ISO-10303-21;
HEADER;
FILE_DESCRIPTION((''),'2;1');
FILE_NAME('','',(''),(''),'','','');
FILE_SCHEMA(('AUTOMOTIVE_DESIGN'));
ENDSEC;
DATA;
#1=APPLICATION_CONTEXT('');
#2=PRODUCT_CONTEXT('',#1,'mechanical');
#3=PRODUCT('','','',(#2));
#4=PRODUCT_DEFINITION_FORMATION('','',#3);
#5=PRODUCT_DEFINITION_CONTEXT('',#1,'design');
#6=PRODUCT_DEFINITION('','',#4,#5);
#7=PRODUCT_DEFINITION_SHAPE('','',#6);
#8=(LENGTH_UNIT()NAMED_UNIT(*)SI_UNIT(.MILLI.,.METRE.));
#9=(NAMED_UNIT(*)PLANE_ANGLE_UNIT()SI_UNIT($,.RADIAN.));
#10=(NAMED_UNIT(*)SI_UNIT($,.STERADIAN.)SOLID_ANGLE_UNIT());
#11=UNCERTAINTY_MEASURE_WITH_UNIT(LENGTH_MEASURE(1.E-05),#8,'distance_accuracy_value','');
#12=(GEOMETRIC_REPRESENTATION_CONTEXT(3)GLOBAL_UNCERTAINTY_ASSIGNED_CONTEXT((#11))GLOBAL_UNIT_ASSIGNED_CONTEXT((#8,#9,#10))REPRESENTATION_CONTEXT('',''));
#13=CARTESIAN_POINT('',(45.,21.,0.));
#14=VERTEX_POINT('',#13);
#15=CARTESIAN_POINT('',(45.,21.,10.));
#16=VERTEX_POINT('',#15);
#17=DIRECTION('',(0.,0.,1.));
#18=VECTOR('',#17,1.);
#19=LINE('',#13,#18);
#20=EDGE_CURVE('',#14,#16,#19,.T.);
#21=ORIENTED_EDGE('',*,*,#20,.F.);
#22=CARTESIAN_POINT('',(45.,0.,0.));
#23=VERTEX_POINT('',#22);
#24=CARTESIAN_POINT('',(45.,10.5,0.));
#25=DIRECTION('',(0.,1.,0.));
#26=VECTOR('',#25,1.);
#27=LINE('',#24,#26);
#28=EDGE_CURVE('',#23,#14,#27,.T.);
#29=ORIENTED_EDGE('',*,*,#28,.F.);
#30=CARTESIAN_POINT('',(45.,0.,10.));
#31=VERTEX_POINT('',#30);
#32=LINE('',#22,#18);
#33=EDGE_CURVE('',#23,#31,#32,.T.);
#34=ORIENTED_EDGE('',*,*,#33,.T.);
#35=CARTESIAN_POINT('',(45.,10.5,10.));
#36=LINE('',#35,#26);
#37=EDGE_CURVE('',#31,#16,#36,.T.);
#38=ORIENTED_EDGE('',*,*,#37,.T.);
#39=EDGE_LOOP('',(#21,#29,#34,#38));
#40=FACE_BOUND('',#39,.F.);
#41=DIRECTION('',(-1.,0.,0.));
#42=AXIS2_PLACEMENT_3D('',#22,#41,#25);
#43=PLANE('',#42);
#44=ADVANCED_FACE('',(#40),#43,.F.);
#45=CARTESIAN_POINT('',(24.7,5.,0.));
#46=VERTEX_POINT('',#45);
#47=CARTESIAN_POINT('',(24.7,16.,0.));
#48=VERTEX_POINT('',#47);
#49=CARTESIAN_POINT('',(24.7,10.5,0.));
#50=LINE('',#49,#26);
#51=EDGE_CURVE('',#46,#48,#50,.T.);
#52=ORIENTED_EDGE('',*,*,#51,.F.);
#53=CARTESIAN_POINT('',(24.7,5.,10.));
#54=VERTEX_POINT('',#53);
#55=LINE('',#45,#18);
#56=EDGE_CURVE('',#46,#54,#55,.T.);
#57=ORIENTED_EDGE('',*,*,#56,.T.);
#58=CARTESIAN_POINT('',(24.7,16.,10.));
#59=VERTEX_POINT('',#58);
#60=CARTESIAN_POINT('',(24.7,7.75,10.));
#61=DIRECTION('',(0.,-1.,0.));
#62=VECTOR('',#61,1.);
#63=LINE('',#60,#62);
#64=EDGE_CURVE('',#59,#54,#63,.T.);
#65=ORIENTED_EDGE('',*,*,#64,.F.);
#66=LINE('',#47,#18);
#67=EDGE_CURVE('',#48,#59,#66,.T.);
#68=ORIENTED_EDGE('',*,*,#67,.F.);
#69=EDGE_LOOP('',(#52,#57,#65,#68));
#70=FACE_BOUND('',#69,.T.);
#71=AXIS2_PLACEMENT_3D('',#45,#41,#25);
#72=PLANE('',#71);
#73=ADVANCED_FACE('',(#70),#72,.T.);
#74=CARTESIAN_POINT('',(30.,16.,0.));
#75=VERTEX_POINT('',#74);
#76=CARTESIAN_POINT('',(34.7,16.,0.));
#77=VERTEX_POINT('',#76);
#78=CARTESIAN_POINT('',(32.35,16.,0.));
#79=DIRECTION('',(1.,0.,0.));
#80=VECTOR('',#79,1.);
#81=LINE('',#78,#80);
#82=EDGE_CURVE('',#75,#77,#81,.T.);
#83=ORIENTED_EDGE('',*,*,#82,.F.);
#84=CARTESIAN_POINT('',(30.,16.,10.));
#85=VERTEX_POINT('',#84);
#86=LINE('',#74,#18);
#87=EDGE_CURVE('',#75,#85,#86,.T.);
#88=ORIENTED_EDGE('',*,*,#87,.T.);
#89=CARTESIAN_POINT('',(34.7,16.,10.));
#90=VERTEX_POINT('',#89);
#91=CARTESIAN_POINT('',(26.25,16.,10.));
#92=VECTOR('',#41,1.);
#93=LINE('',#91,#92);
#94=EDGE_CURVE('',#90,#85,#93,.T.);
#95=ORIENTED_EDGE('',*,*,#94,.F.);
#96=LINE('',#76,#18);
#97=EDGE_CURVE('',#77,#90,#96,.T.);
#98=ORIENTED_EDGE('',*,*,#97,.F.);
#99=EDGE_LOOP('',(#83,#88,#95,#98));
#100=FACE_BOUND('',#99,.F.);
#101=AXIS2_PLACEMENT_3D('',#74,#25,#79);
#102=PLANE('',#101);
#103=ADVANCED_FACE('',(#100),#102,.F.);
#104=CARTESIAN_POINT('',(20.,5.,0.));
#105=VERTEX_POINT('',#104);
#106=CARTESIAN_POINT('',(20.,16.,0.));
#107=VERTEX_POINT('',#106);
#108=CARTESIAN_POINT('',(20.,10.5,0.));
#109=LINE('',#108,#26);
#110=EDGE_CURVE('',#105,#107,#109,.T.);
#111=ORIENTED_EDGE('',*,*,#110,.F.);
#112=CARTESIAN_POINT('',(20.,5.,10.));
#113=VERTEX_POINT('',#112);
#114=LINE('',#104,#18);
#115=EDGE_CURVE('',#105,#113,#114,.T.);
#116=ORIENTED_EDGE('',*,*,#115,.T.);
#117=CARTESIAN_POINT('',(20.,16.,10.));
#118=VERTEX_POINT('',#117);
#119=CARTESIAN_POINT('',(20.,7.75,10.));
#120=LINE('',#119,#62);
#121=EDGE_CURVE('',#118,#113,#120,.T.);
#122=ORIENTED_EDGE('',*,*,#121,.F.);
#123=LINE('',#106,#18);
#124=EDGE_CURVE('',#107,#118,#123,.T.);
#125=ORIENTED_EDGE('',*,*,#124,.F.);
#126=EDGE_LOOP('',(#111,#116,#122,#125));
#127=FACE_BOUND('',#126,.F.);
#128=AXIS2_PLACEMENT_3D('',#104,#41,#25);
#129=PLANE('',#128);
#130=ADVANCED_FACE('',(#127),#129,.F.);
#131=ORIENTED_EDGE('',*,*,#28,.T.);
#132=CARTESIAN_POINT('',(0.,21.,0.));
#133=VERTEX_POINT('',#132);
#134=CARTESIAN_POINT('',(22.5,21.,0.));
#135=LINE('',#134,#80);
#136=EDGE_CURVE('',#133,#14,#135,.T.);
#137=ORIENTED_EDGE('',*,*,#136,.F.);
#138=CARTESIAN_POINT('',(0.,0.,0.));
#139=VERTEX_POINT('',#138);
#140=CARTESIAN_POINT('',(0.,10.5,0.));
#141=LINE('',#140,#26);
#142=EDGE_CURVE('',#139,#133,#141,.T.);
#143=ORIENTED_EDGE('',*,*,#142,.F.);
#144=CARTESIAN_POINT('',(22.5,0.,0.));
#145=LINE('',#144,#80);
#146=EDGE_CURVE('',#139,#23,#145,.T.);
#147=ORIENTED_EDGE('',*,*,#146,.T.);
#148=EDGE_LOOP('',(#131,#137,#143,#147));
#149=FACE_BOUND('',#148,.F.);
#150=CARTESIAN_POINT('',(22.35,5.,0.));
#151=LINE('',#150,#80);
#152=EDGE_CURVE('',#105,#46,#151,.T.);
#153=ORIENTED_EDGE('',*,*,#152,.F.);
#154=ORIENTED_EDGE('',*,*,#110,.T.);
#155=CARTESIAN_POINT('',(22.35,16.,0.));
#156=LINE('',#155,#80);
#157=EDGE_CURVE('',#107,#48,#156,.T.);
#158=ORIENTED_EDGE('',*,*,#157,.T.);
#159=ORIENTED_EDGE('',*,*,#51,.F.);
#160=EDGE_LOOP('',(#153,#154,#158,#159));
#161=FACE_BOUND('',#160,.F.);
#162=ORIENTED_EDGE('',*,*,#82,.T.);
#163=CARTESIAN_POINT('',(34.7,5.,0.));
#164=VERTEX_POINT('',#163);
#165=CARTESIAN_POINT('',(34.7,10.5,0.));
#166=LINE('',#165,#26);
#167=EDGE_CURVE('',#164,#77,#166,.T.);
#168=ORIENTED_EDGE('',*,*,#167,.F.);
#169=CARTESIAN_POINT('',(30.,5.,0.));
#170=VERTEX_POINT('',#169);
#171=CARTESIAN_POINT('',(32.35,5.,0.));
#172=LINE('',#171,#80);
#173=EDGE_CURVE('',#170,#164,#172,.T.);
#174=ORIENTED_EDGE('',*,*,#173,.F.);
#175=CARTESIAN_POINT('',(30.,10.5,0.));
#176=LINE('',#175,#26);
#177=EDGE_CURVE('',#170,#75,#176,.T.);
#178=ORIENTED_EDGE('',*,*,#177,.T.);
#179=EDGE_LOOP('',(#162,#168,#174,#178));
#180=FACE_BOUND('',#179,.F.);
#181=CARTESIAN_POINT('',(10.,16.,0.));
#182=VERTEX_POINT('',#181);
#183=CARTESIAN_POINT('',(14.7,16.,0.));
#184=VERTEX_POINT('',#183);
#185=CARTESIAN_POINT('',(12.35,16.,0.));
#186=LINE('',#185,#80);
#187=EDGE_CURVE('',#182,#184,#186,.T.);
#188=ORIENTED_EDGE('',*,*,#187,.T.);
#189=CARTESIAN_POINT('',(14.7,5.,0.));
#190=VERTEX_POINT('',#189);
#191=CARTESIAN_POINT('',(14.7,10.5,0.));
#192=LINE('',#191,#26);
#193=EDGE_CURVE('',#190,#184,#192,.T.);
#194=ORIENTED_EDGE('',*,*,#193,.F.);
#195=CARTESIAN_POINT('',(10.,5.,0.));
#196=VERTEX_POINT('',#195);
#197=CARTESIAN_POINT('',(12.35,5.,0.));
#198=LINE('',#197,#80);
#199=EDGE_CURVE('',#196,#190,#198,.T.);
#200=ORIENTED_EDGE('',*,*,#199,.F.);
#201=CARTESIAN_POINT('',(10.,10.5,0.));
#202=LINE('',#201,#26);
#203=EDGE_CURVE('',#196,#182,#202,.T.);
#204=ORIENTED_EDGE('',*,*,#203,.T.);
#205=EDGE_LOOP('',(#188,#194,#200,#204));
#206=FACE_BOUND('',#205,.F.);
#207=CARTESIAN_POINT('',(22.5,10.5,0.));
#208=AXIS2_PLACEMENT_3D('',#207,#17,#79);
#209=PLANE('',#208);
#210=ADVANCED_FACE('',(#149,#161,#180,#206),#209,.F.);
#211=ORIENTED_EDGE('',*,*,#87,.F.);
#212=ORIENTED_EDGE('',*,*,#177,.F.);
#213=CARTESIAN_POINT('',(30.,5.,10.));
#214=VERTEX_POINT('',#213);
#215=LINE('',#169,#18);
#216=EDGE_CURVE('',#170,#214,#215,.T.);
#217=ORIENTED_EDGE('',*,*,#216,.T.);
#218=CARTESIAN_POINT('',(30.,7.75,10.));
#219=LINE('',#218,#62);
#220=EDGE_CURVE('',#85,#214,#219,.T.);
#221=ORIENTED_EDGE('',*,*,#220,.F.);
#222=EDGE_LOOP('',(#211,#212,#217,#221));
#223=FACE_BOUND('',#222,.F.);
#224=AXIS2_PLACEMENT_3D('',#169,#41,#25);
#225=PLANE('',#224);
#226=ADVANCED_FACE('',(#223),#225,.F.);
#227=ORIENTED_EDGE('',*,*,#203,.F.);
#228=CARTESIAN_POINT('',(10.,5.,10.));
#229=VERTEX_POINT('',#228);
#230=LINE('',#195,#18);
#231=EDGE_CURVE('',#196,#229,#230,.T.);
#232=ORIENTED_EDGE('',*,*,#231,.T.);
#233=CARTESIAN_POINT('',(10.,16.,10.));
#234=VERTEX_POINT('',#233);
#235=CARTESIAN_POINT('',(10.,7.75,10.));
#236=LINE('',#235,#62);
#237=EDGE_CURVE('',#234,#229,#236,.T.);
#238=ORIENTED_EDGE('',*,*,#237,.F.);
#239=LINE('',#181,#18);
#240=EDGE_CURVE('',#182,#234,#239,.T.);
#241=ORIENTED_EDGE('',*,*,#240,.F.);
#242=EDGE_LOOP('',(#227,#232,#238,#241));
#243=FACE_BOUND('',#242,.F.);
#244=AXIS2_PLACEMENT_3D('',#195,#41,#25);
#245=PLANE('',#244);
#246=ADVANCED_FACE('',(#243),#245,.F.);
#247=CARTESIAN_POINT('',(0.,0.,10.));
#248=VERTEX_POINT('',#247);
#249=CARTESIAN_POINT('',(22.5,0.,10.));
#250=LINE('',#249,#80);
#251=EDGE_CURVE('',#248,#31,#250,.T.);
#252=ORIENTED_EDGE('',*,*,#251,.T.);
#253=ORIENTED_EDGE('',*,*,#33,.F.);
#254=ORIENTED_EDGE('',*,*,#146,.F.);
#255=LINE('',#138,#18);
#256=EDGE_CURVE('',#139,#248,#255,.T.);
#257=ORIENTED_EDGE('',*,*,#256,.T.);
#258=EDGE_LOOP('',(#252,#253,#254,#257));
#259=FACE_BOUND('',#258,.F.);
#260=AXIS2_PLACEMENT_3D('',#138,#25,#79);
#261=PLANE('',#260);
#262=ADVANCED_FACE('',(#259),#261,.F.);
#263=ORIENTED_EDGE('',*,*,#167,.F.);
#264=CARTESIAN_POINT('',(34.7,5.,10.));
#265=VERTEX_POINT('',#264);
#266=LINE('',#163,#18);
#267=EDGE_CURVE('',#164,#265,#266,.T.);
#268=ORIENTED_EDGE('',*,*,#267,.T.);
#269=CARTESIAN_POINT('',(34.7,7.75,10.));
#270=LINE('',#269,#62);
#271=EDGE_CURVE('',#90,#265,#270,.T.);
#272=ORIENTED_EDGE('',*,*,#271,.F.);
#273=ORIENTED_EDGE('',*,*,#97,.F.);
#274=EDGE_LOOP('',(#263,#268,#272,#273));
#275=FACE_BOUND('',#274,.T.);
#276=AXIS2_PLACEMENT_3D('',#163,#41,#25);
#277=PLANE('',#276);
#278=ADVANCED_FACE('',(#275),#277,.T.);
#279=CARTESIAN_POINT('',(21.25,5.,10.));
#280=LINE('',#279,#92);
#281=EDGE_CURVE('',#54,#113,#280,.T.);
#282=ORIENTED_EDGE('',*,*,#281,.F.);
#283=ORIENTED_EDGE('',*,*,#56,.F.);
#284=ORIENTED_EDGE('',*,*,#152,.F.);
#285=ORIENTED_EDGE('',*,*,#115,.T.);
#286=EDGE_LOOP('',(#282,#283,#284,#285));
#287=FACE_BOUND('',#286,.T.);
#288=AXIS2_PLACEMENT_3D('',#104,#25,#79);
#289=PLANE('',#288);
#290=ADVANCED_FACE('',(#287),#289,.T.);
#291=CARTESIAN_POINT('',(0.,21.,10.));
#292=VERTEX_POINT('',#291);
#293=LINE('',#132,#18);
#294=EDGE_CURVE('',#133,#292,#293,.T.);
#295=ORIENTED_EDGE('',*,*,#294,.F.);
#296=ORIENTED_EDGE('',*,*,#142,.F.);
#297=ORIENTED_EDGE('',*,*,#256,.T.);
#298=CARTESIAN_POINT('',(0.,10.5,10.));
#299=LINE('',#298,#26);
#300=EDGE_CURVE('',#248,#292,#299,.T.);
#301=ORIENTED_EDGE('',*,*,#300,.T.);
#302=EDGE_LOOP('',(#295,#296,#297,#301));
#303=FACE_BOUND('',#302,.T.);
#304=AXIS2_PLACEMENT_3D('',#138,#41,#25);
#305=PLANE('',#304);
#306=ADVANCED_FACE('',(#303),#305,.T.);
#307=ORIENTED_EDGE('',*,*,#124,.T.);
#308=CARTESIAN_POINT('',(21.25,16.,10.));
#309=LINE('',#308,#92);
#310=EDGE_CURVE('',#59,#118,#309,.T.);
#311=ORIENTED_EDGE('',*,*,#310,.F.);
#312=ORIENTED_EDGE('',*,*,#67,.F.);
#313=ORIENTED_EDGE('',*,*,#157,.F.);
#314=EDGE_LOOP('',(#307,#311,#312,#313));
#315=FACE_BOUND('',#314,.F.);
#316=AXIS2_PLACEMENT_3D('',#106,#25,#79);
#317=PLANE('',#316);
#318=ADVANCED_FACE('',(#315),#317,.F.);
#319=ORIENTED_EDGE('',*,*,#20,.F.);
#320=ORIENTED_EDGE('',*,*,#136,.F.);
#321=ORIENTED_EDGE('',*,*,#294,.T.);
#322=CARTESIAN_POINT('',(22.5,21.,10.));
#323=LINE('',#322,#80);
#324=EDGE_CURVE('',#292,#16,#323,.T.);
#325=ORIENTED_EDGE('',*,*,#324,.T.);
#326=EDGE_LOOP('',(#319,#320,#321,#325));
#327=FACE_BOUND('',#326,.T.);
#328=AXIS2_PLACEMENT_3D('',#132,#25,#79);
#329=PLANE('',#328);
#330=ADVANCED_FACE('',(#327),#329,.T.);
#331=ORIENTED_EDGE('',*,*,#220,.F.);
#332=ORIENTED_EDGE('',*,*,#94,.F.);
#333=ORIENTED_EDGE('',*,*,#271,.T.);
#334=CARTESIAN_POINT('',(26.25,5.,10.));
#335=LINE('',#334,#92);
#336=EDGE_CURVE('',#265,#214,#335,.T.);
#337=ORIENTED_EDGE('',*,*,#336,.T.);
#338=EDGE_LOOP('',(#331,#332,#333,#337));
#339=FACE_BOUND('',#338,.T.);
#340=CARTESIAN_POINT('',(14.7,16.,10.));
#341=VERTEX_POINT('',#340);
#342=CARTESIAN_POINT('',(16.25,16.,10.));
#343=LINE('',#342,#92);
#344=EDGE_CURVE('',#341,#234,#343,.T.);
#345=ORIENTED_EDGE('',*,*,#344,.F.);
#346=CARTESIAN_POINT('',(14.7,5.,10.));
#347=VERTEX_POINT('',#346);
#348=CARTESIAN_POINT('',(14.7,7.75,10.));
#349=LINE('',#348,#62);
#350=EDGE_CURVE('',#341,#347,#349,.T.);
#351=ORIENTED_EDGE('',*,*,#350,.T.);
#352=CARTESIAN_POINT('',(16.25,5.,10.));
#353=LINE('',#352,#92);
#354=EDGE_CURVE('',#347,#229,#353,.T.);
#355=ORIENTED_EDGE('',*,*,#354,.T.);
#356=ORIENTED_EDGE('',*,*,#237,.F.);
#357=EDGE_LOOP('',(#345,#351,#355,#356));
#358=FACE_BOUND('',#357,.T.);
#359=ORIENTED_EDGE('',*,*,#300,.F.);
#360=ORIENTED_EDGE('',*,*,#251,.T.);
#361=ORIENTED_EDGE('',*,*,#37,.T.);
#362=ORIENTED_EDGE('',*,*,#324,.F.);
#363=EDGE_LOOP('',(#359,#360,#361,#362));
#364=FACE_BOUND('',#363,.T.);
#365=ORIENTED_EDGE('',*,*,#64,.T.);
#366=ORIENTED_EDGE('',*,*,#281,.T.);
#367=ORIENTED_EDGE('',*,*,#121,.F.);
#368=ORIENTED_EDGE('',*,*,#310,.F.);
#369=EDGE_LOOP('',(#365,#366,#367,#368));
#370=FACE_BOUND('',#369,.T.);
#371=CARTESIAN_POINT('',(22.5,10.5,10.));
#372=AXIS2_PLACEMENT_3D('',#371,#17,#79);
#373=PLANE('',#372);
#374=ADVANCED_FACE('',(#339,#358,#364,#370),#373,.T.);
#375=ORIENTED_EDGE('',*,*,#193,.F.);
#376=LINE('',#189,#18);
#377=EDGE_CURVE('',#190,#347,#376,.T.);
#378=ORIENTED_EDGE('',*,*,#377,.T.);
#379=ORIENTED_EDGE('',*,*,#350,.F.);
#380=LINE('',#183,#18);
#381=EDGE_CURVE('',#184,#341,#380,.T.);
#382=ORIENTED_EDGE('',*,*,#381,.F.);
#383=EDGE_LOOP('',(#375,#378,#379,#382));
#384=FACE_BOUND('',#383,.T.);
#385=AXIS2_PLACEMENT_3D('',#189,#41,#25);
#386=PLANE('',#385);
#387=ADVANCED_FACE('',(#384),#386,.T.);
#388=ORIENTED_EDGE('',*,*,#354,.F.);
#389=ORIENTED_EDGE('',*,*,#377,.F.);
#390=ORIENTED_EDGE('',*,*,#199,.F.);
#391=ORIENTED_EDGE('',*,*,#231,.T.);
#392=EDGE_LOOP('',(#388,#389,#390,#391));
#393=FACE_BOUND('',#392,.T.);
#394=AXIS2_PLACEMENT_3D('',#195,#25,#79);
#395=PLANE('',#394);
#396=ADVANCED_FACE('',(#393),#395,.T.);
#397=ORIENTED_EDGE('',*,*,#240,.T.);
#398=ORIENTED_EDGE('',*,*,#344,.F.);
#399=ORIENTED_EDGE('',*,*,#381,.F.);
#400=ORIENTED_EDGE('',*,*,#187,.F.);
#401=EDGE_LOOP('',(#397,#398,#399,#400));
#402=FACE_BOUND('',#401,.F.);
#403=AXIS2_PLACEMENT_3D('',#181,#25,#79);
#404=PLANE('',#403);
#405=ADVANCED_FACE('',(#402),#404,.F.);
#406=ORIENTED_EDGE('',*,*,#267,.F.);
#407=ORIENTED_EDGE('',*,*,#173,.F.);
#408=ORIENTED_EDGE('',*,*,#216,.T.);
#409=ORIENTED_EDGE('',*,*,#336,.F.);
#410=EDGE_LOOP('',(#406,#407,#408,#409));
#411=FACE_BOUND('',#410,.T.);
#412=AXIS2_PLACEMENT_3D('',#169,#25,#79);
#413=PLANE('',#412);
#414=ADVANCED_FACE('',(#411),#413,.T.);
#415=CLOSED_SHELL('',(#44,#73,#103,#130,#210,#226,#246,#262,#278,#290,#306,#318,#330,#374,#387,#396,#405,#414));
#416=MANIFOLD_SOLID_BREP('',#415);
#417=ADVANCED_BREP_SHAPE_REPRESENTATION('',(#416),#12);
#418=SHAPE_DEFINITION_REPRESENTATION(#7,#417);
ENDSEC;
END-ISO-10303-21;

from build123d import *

# Parameters (mm, degrees)
BOX002_W     = 4.7
BOX002_H     = 11
BOX002_DEPTH = 13
BOX001_W     = 4.7
BOX001_H     = 11
BOX001_DEPTH = 13
BOX003_W     = 4.7
BOX003_H     = 11
BOX003_DEPTH = 13
BOX_W        = 45
BOX_H        = 21
BOX_DEPTH    = 10


with BuildPart() as cubo_resta002:
    # Box002 → Box002 (new body)
    with BuildSketch(Plane(origin=(20, 5, 0), x_dir=(1, 0, 0), z_dir=(0, 0, 1))):
        with Locations((2.35, 5.5)):
            Rectangle(BOX002_W, BOX002_H)
    extrude(amount=BOX002_DEPTH)


with BuildPart() as fusion:
    # Box001 → Box001 (new body)
    with BuildSketch(Plane(origin=(10, 5, 0), x_dir=(1, 0, 0), z_dir=(0, 0, 1))):
        with Locations((2.35, 5.5)):
            Rectangle(BOX001_W, BOX001_H)
    extrude(amount=BOX001_DEPTH)

    # Fusion: union Cubo_resta002
    add(cubo_resta002.part)


with BuildPart() as ranuras:
    # Box003 → Box003 (new body)
    with BuildSketch(Plane(origin=(30, 5, 0), x_dir=(1, 0, 0), z_dir=(0, 0, 1))):
        with Locations((2.35, 5.5)):
            Rectangle(BOX003_W, BOX003_H)
    extrude(amount=BOX003_DEPTH)

    # Fusion001: union Fusion
    add(fusion.part)


with BuildPart() as cut:
    # Box → Box (new body)
    with BuildSketch(Plane.XY):
        with Locations((22.5, 10.5)):
            Rectangle(BOX_W, BOX_H)
    extrude(amount=BOX_DEPTH)

    # Cut: cut ranuras
    add(ranuras.part, mode=Mode.SUBTRACT)


solid = cut.part
